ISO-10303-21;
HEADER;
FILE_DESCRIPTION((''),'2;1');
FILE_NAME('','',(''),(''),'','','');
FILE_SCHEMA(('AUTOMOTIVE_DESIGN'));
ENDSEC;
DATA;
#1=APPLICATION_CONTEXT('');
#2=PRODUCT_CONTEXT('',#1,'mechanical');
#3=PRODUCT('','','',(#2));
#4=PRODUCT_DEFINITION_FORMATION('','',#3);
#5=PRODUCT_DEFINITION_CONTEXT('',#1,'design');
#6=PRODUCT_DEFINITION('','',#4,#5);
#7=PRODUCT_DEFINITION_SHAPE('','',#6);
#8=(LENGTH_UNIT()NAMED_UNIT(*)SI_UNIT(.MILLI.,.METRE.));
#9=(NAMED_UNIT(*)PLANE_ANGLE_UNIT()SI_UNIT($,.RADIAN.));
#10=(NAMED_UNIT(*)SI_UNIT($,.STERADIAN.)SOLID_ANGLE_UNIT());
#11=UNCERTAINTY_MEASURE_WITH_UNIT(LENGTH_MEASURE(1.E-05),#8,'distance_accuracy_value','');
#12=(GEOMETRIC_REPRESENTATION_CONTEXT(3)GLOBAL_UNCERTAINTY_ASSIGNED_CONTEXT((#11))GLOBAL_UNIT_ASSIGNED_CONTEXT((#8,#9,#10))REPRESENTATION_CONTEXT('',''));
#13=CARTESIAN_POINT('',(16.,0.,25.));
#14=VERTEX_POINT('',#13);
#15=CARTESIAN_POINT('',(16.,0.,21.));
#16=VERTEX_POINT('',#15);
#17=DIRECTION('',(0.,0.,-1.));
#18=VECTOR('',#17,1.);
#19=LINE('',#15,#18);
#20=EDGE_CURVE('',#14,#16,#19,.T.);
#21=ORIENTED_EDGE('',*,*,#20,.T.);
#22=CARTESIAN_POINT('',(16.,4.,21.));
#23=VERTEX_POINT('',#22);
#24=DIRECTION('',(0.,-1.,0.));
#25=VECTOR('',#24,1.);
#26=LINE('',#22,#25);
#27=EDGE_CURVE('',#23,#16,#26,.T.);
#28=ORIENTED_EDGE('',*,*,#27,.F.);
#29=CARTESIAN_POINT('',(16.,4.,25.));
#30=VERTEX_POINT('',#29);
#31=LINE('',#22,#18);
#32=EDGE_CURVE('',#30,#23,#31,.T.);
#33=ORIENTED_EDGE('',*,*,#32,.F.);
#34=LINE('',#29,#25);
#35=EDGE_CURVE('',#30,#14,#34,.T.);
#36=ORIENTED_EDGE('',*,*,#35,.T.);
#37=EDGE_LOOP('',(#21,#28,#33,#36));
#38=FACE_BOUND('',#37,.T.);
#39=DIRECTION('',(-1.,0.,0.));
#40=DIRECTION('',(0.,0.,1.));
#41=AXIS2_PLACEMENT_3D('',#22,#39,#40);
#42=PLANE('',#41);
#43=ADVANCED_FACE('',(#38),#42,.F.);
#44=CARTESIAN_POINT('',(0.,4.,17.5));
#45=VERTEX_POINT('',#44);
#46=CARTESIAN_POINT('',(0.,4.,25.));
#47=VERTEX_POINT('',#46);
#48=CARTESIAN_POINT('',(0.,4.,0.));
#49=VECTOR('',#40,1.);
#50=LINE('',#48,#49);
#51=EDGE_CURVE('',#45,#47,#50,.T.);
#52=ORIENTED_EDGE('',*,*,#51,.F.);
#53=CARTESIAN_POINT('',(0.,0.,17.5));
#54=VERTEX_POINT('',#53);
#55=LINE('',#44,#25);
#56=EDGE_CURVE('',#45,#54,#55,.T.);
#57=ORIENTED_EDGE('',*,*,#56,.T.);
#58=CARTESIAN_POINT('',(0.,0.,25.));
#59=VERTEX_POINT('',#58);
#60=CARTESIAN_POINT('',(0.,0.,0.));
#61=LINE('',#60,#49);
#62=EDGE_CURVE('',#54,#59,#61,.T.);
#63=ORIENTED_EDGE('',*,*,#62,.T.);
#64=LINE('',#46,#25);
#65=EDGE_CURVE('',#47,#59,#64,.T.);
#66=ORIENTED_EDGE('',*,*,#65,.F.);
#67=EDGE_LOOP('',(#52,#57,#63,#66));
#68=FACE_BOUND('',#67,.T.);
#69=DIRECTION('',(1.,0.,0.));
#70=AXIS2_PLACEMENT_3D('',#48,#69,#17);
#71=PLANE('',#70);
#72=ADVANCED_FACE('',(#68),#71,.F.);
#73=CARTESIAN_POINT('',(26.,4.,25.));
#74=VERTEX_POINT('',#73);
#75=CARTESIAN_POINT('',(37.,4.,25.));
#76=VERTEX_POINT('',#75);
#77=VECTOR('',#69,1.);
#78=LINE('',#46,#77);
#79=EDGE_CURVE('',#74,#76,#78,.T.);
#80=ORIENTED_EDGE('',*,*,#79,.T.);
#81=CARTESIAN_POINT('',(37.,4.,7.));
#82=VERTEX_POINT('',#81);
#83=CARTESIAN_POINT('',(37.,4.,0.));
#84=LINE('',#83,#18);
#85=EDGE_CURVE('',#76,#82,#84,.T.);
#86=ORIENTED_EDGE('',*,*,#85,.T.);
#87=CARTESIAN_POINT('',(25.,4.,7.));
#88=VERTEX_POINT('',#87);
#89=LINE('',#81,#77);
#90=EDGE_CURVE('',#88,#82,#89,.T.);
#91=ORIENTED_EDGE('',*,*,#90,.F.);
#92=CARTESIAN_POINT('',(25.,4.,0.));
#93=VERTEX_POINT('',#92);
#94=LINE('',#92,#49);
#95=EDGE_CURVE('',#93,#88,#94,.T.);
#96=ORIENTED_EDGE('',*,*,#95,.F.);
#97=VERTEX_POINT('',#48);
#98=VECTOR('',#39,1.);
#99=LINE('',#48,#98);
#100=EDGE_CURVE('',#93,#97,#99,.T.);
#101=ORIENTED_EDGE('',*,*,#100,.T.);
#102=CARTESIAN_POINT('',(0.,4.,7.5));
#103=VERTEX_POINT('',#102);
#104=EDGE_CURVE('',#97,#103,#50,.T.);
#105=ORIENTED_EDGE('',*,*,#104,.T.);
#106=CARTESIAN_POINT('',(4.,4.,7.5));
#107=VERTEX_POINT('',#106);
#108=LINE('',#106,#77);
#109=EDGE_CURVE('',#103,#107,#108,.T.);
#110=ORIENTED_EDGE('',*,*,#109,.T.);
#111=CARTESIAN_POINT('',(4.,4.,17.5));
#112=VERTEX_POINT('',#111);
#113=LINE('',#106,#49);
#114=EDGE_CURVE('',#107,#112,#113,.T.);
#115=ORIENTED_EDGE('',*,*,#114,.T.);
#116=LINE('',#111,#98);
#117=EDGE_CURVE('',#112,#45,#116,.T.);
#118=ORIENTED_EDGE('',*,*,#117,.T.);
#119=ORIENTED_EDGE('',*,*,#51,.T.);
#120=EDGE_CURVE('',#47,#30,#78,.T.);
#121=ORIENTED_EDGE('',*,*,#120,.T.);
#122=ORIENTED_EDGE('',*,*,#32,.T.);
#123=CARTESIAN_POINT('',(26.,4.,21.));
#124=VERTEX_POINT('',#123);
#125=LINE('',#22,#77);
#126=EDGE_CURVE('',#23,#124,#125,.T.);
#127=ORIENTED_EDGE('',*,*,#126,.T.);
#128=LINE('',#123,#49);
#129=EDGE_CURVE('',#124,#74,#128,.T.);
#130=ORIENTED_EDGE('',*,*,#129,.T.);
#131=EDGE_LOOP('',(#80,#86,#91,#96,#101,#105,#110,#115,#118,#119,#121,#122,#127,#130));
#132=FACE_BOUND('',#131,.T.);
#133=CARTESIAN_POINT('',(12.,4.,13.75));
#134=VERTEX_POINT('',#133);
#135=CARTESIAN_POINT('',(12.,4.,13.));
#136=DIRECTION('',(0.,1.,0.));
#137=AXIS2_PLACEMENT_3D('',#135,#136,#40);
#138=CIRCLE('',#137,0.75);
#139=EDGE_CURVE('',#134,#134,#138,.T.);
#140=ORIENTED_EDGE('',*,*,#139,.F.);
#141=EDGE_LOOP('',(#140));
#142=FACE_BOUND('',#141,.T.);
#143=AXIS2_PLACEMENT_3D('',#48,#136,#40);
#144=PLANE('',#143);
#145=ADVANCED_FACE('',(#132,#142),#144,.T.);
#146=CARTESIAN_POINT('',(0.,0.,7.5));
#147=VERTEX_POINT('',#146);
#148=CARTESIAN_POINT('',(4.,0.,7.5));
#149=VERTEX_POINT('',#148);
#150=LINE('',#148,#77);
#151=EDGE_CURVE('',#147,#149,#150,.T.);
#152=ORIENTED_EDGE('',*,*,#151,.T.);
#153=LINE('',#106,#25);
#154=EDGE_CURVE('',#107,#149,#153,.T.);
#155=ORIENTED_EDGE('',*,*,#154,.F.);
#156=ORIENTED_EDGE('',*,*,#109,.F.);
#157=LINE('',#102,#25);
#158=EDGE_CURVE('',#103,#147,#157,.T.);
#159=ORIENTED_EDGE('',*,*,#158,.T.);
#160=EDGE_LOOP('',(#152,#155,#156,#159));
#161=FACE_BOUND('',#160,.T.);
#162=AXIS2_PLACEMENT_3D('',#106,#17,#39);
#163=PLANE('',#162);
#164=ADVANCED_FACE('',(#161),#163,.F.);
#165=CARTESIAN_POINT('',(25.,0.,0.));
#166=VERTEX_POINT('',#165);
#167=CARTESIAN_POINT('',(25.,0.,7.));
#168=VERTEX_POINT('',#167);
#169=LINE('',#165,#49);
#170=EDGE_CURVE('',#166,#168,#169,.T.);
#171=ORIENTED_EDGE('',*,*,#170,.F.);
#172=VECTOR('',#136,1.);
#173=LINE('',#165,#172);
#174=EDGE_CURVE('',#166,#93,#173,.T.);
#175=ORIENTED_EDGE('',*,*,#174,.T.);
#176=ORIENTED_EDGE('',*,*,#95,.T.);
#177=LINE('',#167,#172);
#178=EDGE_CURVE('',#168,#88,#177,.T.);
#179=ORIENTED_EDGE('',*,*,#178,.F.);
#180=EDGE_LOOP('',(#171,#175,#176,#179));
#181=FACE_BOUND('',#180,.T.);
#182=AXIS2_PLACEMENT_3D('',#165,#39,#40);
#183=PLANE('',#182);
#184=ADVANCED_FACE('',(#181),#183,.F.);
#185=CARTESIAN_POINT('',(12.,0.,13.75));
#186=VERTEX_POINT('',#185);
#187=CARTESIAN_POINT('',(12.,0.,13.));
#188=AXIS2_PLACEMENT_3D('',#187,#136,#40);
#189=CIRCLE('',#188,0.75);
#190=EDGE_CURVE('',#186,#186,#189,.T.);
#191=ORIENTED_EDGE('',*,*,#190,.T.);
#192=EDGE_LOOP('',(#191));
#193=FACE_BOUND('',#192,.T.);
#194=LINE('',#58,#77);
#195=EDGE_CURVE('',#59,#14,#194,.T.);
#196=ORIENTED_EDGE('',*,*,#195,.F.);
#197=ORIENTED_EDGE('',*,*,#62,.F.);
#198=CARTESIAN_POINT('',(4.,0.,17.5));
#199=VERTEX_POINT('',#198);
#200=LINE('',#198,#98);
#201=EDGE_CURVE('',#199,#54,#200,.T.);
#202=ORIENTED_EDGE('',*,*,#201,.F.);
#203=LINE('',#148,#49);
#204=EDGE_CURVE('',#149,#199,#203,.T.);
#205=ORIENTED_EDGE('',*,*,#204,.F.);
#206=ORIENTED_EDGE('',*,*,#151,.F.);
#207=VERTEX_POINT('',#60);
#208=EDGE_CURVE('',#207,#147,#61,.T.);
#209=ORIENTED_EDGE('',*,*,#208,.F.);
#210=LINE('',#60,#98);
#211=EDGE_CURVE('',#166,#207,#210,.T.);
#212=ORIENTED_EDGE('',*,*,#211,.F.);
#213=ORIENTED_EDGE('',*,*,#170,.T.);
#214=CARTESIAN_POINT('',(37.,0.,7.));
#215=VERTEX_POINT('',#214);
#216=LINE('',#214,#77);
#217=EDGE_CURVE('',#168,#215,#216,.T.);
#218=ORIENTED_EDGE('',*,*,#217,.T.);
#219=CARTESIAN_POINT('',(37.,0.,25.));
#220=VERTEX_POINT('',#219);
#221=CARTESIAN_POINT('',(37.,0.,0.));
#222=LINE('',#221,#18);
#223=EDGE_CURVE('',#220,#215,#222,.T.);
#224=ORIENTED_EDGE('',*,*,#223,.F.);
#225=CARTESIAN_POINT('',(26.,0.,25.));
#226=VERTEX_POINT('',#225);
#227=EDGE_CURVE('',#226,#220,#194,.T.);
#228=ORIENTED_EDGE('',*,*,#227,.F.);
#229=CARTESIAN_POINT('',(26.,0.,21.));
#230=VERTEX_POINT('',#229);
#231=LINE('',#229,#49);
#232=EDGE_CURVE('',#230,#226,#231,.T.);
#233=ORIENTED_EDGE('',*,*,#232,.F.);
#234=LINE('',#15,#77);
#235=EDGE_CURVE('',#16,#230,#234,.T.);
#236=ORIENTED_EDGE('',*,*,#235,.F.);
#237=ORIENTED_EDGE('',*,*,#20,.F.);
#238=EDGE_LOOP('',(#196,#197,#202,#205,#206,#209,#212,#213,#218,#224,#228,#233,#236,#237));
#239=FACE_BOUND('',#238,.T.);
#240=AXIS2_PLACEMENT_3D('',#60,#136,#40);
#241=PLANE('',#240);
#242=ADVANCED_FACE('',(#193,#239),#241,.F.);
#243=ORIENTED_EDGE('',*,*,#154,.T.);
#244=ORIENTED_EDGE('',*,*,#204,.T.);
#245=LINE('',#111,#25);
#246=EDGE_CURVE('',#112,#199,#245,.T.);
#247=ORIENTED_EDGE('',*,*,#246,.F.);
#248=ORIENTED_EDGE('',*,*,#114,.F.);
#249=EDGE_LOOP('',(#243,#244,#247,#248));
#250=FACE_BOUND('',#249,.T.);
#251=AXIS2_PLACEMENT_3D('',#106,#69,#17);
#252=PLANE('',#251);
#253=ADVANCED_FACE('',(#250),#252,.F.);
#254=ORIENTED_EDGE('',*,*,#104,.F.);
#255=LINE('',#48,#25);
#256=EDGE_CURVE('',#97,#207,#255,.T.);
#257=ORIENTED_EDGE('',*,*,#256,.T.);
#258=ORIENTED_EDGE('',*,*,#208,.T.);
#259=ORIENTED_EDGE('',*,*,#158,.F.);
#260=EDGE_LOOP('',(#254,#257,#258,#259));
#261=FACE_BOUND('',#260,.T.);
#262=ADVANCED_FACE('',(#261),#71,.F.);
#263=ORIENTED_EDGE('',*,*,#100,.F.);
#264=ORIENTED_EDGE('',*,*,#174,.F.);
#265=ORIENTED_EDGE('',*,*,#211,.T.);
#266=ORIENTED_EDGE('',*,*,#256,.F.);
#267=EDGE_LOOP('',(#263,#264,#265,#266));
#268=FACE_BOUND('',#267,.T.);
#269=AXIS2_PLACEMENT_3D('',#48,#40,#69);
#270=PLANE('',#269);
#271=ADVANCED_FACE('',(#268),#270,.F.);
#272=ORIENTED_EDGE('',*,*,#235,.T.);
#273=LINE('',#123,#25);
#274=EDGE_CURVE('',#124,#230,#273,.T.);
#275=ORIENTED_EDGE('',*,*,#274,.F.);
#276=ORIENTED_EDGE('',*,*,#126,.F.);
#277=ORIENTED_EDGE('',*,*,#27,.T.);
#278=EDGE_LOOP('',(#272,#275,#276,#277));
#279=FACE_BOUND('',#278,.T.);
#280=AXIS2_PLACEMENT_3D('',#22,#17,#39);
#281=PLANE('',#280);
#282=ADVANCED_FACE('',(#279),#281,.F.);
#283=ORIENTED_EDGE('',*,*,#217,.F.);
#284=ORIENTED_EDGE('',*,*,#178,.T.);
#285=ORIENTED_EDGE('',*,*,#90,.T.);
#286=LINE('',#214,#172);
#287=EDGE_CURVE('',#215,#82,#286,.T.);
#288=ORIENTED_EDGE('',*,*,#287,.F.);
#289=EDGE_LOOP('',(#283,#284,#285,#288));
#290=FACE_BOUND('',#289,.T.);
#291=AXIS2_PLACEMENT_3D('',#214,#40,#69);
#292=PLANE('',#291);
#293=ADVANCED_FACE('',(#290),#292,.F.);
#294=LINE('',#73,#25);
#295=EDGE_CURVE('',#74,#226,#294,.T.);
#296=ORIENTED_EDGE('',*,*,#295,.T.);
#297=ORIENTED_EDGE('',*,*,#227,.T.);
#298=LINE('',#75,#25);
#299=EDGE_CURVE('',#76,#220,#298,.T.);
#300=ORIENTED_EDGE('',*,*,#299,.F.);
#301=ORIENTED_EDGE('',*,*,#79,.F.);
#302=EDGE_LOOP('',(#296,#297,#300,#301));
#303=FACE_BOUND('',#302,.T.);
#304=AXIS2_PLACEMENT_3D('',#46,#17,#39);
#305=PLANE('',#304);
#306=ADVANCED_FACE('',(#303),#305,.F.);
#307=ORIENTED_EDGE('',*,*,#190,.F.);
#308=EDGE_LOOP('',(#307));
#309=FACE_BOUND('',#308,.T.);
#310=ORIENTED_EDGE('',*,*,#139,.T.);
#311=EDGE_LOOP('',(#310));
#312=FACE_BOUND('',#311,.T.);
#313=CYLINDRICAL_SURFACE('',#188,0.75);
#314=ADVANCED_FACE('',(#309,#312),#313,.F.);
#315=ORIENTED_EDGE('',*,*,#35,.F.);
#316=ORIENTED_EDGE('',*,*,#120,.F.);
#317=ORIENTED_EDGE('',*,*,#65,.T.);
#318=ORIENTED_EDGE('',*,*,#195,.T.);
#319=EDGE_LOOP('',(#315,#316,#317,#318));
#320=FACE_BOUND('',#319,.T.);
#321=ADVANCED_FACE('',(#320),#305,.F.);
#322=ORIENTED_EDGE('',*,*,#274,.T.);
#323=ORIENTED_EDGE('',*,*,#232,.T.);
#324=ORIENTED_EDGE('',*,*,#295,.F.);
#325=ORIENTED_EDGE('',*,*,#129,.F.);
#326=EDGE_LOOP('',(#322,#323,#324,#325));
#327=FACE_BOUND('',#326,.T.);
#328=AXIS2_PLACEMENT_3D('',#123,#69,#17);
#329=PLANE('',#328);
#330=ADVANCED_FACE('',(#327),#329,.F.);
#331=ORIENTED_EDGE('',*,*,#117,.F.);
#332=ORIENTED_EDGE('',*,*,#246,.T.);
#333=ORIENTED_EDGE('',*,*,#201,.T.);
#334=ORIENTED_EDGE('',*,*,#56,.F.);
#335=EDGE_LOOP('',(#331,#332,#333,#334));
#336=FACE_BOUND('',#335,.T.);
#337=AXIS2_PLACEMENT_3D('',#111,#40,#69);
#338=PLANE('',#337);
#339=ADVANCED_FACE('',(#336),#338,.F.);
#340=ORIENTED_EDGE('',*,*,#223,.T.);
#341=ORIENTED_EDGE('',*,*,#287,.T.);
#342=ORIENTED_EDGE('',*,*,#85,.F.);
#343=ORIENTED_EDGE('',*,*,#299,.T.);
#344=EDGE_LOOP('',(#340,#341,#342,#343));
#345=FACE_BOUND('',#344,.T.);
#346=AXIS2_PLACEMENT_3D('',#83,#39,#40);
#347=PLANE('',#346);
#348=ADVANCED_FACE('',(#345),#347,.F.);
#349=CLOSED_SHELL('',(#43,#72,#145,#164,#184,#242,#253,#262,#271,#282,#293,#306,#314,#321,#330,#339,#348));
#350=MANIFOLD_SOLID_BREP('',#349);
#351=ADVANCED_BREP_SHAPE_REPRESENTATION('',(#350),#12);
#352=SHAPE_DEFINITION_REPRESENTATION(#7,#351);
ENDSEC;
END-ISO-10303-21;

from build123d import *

# Parameters (mm, degrees)
SKETCH1_W           = 37
SKETCH1_H           = 25
BOSS_EXTRUDE1_DEPTH = 4
SKETCH2_W           = 12
SKETCH2_H           = 7
CUT_EXTRUDE1_DEPTH  = 45.833023543
SKETCH3_W           = 4
SKETCH3_H           = 10
CUT_EXTRUDE2_DEPTH  = 45.833023543
SKETCH4_W           = 10
SKETCH4_H           = 4
CUT_EXTRUDE3_DEPTH  = 45.833023543
SKETCH5_R           = 0.75
CUT_EXTRUDE4_DEPTH  = 45.833023543


with BuildPart() as part:
    # Sketch1 → Boss-Extrude1 (new body)
    with BuildSketch(Plane(origin=(0, 0, 0), x_dir=(1, 0, 0), z_dir=(0, 1, 0))):
        with Locations((18.5, -12.5)):
            Rectangle(SKETCH1_W, SKETCH1_H)
    extrude(amount=BOSS_EXTRUDE1_DEPTH)

    # Sketch2 → Cut-Extrude1 (cut, through all)
    with BuildSketch(Plane(origin=(0, 4, 0), x_dir=(1, 0, 0), z_dir=(0, 1, 0))):
        with Locations((31, -3.5)):
            Rectangle(SKETCH2_W, SKETCH2_H)
    extrude(amount=-CUT_EXTRUDE1_DEPTH, mode=Mode.SUBTRACT)

    # Sketch3 → Cut-Extrude2 (cut, through all)
    with BuildSketch(Plane.XZ):
        with Locations((2, 12.5)):
            Rectangle(SKETCH3_W, SKETCH3_H)
    extrude(amount=-CUT_EXTRUDE2_DEPTH, mode=Mode.SUBTRACT)

    # Sketch4 → Cut-Extrude3 (cut, through all)
    with BuildSketch(Plane(origin=(0, 0, 0), x_dir=(-1, 0, 0), z_dir=(0, -1, 0))):
        with Locations((-21, -23)):
            Rectangle(SKETCH4_W, SKETCH4_H)
    extrude(amount=-CUT_EXTRUDE3_DEPTH, mode=Mode.SUBTRACT)

    # Sketch5 → Cut-Extrude4 (cut, through all)
    with BuildSketch(Plane(origin=(0, 4, 0), x_dir=(1, 0, 0), z_dir=(0, 1, 0))):
        with Locations(Location((12, -13, 0), (0, 0, 270))):
            Circle(SKETCH5_R)
    extrude(amount=-CUT_EXTRUDE4_DEPTH, mode=Mode.SUBTRACT)


solid = part.part
